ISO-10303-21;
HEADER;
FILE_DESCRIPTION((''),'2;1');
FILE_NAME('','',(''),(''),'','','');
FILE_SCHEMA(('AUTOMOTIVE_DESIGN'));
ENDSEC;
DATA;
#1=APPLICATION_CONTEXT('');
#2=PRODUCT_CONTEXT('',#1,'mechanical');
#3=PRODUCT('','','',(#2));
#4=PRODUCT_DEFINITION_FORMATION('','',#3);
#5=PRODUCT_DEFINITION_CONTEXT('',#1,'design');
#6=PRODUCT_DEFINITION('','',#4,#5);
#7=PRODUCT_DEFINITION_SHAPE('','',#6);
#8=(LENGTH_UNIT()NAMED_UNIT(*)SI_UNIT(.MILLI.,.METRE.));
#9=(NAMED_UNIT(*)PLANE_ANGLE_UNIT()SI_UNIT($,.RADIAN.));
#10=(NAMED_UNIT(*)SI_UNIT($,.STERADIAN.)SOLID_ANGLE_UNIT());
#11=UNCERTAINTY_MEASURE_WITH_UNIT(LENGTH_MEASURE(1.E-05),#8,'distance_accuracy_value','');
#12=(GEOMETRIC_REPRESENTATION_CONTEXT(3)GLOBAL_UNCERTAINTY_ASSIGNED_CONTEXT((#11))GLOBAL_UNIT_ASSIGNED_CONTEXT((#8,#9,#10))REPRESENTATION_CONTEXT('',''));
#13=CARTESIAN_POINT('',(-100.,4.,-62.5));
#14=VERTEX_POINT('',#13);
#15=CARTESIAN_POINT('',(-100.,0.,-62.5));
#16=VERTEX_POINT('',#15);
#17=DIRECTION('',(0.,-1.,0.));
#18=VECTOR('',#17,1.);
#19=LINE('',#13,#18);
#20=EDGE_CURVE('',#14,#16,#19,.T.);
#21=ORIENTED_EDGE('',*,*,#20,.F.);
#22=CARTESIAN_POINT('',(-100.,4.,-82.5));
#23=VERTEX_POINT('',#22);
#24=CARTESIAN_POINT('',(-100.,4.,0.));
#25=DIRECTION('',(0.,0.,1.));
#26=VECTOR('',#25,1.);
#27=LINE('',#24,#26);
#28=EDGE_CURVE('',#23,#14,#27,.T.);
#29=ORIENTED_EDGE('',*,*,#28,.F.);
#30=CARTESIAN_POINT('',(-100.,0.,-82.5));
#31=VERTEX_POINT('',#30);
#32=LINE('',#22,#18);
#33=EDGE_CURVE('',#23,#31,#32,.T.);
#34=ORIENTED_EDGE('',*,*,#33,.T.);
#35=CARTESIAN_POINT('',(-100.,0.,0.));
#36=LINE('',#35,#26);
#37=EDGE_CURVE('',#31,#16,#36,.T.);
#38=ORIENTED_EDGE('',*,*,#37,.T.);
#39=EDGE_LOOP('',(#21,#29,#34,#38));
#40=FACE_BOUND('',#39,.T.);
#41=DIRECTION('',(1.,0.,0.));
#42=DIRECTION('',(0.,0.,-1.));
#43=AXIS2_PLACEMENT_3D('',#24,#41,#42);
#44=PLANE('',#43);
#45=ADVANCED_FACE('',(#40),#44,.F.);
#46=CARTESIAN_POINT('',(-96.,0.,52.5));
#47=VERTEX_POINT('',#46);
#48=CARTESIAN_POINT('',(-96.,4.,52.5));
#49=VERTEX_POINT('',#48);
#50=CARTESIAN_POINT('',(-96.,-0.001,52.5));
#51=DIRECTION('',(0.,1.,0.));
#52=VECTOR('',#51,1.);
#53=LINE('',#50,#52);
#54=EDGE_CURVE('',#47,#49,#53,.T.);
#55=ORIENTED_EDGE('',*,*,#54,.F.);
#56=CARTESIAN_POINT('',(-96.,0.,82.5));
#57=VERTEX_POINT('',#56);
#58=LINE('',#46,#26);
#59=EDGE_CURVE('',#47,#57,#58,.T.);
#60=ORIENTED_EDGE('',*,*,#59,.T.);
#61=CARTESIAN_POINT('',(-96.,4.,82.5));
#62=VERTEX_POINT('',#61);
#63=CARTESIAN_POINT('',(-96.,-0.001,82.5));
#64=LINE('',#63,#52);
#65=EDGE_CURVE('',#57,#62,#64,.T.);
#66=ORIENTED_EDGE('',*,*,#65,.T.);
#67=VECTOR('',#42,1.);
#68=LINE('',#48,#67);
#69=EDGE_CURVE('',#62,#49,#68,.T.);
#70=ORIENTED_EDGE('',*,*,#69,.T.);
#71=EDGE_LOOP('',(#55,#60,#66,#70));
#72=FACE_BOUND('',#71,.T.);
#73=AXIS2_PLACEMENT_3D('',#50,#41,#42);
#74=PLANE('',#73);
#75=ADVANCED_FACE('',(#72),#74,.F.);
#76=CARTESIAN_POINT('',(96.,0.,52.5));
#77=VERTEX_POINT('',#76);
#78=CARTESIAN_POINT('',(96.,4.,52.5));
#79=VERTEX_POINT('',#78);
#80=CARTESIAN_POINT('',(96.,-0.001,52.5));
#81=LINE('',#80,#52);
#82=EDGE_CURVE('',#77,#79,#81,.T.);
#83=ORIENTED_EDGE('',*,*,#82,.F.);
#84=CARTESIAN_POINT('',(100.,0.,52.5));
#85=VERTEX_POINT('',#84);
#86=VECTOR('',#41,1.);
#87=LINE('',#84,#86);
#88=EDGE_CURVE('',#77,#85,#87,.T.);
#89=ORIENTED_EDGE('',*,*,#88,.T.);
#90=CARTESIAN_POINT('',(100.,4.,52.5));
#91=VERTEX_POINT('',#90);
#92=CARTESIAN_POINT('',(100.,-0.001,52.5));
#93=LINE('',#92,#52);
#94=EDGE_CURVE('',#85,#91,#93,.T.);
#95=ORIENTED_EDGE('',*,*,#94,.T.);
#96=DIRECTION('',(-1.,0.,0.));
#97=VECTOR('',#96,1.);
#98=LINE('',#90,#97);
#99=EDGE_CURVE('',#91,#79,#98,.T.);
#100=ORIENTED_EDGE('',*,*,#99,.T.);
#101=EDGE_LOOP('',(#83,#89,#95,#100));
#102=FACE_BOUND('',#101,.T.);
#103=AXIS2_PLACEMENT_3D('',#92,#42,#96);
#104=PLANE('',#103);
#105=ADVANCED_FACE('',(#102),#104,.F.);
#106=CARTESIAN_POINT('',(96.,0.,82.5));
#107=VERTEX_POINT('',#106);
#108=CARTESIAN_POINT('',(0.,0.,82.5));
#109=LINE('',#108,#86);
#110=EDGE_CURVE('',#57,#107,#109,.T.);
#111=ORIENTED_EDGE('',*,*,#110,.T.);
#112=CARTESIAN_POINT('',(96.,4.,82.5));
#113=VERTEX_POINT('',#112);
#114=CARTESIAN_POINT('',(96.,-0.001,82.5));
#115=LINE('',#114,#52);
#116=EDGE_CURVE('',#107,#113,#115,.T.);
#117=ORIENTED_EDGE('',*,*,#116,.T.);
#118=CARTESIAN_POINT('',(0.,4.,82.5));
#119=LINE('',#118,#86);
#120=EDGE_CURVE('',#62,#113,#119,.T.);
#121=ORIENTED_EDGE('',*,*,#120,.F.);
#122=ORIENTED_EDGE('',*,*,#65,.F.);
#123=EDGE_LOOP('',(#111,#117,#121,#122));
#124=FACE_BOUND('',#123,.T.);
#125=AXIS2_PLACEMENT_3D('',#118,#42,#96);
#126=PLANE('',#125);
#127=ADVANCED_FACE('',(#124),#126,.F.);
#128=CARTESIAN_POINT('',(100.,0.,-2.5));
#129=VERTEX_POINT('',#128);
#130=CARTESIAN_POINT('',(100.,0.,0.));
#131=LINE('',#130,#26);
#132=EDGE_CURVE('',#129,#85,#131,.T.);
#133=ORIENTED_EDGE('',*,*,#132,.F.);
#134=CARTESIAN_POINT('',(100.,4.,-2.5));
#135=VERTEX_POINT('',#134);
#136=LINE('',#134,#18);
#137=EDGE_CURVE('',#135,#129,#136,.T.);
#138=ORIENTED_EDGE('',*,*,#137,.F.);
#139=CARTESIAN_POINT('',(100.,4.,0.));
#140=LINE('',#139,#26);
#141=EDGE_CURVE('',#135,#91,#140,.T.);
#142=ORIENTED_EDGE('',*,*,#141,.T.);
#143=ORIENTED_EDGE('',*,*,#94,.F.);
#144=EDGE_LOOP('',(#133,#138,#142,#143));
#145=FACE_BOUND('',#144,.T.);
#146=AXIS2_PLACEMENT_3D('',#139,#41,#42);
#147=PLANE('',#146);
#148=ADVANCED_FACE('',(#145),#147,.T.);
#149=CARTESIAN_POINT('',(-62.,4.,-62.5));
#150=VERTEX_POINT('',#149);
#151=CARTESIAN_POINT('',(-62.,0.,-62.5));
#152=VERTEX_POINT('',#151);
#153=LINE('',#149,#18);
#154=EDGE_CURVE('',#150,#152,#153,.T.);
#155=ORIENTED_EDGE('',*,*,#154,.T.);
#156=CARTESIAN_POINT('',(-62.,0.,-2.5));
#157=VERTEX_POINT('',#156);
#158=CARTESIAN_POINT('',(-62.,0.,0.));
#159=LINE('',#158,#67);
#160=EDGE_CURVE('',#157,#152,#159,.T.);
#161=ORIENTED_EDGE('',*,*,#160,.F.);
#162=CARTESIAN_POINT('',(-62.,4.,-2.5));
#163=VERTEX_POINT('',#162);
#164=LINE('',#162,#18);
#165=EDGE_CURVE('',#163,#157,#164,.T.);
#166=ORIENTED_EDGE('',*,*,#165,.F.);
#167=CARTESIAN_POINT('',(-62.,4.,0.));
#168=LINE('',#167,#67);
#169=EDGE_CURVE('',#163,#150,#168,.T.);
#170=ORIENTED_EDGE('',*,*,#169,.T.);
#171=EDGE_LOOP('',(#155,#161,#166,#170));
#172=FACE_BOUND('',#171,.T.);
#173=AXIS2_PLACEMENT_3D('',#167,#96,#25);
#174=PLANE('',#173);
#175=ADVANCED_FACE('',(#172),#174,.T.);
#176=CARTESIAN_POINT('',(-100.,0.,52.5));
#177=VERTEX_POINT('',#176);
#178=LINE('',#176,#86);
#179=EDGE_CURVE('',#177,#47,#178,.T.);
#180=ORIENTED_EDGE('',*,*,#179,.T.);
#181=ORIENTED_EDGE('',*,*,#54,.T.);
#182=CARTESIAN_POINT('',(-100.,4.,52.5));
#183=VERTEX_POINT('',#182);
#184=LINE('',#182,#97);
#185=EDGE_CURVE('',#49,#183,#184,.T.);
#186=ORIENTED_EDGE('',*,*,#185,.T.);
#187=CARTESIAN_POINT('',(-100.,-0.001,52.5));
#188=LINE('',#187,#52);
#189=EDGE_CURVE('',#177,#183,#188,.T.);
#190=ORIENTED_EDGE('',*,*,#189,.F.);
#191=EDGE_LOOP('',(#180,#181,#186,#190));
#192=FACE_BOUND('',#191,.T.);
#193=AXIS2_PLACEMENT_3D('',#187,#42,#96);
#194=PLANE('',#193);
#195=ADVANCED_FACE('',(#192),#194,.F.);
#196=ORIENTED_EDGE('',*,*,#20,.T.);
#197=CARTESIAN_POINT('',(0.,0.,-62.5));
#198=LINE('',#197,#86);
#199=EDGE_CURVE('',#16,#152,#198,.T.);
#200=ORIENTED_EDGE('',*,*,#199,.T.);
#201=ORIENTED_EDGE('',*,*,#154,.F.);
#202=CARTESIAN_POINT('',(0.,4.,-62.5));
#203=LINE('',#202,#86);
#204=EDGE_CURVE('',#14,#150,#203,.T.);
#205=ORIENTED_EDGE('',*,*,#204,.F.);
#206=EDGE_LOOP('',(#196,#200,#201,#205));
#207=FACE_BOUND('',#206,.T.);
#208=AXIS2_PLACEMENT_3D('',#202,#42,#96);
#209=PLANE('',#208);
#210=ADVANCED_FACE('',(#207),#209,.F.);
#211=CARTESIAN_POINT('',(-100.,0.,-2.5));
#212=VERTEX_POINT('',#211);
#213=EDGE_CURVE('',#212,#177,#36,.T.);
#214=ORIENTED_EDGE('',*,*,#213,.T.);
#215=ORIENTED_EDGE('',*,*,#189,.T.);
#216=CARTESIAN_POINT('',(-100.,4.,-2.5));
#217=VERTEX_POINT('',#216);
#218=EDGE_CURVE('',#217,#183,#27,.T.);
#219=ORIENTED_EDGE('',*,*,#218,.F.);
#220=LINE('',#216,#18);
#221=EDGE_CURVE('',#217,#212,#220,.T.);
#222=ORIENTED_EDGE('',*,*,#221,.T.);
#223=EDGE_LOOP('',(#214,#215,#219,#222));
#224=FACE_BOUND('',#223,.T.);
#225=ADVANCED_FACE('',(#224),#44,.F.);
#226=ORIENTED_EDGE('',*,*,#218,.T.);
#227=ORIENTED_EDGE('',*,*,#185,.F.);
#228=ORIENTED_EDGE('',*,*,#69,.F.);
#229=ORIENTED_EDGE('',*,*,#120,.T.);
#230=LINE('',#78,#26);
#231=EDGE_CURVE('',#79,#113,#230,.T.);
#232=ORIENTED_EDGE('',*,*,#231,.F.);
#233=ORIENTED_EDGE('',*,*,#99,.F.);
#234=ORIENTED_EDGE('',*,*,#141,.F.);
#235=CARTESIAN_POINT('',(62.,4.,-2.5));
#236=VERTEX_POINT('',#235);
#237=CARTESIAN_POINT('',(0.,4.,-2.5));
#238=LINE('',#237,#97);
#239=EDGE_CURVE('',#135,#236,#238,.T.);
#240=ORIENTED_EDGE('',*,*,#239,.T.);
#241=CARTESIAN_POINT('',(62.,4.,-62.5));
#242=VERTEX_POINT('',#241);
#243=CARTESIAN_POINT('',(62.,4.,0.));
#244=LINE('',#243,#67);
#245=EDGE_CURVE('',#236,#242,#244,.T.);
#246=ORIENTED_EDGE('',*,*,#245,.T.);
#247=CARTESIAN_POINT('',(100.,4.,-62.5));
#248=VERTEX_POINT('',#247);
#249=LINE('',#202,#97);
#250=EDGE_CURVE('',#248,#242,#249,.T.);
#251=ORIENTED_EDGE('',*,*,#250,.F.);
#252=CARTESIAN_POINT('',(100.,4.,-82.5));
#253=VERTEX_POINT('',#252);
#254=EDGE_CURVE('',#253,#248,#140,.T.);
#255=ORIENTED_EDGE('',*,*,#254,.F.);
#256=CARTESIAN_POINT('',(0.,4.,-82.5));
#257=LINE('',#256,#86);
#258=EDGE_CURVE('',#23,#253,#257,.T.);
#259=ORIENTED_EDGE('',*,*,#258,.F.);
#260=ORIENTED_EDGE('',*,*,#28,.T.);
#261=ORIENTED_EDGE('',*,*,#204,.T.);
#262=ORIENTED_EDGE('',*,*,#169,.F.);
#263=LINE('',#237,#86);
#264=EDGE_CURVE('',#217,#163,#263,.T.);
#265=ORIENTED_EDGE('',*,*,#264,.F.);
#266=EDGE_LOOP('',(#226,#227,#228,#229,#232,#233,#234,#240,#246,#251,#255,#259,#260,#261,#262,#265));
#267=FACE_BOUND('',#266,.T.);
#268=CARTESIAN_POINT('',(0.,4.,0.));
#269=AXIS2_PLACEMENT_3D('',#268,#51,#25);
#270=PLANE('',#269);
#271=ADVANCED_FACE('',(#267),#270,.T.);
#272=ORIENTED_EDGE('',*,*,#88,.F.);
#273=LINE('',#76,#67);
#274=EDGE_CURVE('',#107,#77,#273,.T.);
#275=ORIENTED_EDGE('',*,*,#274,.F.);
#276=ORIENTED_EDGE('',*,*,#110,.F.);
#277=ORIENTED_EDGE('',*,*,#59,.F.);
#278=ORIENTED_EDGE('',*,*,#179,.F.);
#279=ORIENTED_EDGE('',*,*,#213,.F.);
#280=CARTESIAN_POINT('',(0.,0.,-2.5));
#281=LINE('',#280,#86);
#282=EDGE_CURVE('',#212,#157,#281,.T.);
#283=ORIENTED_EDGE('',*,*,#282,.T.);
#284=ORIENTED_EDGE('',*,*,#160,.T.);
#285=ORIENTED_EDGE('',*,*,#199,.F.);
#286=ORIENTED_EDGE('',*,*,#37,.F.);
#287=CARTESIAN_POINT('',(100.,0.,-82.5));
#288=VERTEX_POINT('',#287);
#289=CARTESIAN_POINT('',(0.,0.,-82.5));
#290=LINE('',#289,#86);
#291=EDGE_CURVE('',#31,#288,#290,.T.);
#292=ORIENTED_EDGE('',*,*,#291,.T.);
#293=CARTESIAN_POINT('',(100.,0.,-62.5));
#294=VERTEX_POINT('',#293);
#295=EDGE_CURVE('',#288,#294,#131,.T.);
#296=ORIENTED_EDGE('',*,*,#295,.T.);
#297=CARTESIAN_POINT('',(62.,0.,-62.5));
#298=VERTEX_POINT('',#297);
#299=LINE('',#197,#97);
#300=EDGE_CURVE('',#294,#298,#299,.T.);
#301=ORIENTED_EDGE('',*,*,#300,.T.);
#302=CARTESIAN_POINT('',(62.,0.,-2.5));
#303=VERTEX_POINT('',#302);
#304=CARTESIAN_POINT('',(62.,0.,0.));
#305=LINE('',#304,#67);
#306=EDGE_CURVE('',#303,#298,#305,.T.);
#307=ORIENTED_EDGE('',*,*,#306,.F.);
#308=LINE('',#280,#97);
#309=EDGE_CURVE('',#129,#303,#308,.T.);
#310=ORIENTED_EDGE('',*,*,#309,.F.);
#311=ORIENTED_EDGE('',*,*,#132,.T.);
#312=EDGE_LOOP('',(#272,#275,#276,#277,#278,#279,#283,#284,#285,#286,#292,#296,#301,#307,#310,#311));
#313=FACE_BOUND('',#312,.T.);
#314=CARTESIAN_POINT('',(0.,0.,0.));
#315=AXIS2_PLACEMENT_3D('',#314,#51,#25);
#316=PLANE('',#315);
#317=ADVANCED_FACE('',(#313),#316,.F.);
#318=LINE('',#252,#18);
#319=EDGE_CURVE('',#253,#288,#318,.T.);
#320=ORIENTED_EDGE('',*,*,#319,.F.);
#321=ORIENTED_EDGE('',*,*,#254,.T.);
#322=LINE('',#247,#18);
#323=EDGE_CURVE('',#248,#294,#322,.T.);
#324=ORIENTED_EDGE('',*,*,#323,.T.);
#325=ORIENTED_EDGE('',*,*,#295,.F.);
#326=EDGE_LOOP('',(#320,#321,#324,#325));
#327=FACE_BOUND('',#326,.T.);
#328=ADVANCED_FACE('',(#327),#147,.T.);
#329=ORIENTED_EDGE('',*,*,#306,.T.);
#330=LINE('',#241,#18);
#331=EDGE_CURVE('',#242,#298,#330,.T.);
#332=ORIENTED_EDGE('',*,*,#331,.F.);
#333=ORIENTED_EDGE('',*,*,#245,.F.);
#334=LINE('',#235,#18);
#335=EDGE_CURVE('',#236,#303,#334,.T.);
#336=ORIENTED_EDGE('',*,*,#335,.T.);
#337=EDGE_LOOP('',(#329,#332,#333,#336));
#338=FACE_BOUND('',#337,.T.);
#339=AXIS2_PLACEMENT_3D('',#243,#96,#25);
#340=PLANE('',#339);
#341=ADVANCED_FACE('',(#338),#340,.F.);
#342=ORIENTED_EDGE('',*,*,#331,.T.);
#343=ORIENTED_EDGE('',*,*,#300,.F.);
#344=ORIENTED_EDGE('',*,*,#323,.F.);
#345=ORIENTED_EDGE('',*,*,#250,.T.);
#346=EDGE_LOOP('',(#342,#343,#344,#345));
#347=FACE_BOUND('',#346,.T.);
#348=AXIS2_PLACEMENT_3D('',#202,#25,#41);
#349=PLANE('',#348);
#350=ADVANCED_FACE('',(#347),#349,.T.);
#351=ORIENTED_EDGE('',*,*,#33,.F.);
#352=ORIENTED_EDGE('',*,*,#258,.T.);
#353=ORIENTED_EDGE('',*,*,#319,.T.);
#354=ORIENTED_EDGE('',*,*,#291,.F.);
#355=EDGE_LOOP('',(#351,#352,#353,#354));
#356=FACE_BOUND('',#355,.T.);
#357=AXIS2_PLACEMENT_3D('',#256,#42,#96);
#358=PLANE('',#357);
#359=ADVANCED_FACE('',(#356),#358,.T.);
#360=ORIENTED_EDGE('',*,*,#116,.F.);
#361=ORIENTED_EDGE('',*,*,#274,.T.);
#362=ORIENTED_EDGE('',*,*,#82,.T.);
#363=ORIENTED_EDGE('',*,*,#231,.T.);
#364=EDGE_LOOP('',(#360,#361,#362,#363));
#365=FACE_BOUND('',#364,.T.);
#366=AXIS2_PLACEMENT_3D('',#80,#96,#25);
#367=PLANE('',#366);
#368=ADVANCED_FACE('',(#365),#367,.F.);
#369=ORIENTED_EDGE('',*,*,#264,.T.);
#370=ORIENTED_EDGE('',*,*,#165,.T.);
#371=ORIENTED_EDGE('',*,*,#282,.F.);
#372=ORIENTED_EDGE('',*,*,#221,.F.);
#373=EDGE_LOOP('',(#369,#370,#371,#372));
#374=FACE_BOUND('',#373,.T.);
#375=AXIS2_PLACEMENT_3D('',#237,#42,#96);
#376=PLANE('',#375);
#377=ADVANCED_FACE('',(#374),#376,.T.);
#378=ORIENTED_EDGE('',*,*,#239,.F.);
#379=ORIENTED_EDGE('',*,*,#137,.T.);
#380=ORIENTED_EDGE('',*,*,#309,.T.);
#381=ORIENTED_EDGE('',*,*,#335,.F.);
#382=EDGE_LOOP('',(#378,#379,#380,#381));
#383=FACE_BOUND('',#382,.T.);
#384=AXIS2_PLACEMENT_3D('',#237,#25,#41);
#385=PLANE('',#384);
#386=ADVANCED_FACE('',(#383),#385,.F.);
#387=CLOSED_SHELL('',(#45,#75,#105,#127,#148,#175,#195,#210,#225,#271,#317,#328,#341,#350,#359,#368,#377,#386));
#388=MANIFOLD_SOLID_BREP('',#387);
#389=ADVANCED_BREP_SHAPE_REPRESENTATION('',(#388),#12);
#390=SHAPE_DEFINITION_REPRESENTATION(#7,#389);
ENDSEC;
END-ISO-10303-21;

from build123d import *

# Parameters (mm, degrees)
SALIENTE_EXTRUIR1_DEPTH = 4
CORTAR_EXTRUIR1_REACH   = 131.701
CROQUIS4_W              = 4
CROQUIS4_H              = 30


with BuildPart() as part:
    # Croquis3 → Saliente-Extruir1 (new body)
    with BuildSketch(Plane(origin=(0, 0, 0), x_dir=(1, 0, 0), z_dir=(0, 1, 0))):
        Polygon((100, 82.5), (-100, 82.5), (-100, 62.5), (-62, 62.5), (-62, 2.5), (-100, 2.5), (-100, -82.5), (100, -82.5), (100, 2.5), (62, 2.5), (62, 62.5), (100, 62.5), align=None)
    extrude(amount=SALIENTE_EXTRUIR1_DEPTH)

    # Croquis4 → Cortar-Extruir1 (cut, up to next)
    with BuildSketch(Plane(origin=(0, 4, 0), x_dir=(1, 0, 0), z_dir=(0, 1, 0)), mode=Mode.PRIVATE) as cortar_extruir1_sk1:
        with Locations((98, -67.5)):
            Rectangle(CROQUIS4_W, CROQUIS4_H)
    cortar_extruir1_tool1 = extrude(cortar_extruir1_sk1.sketch, amount=-CORTAR_EXTRUIR1_REACH, mode=Mode.PRIVATE) & part.part
    # Croquis4 → Cortar-Extruir1 (cut, up to next)
    with BuildSketch(Plane(origin=(0, 4, 0), x_dir=(1, 0, 0), z_dir=(0, 1, 0)), mode=Mode.PRIVATE) as cortar_extruir1_sk2:
        with Locations((-98, -67.5)):
            Rectangle(CROQUIS4_W, CROQUIS4_H)
    cortar_extruir1_tool2 = extrude(cortar_extruir1_sk2.sketch, amount=-CORTAR_EXTRUIR1_REACH, mode=Mode.PRIVATE) & part.part
    add(cortar_extruir1_tool1.solids().sort_by_distance((98, 4, 67.5))[0], mode=Mode.SUBTRACT)
    add(cortar_extruir1_tool2.solids().sort_by_distance((-98, 4, 67.5))[0], mode=Mode.SUBTRACT)


solid = part.part
